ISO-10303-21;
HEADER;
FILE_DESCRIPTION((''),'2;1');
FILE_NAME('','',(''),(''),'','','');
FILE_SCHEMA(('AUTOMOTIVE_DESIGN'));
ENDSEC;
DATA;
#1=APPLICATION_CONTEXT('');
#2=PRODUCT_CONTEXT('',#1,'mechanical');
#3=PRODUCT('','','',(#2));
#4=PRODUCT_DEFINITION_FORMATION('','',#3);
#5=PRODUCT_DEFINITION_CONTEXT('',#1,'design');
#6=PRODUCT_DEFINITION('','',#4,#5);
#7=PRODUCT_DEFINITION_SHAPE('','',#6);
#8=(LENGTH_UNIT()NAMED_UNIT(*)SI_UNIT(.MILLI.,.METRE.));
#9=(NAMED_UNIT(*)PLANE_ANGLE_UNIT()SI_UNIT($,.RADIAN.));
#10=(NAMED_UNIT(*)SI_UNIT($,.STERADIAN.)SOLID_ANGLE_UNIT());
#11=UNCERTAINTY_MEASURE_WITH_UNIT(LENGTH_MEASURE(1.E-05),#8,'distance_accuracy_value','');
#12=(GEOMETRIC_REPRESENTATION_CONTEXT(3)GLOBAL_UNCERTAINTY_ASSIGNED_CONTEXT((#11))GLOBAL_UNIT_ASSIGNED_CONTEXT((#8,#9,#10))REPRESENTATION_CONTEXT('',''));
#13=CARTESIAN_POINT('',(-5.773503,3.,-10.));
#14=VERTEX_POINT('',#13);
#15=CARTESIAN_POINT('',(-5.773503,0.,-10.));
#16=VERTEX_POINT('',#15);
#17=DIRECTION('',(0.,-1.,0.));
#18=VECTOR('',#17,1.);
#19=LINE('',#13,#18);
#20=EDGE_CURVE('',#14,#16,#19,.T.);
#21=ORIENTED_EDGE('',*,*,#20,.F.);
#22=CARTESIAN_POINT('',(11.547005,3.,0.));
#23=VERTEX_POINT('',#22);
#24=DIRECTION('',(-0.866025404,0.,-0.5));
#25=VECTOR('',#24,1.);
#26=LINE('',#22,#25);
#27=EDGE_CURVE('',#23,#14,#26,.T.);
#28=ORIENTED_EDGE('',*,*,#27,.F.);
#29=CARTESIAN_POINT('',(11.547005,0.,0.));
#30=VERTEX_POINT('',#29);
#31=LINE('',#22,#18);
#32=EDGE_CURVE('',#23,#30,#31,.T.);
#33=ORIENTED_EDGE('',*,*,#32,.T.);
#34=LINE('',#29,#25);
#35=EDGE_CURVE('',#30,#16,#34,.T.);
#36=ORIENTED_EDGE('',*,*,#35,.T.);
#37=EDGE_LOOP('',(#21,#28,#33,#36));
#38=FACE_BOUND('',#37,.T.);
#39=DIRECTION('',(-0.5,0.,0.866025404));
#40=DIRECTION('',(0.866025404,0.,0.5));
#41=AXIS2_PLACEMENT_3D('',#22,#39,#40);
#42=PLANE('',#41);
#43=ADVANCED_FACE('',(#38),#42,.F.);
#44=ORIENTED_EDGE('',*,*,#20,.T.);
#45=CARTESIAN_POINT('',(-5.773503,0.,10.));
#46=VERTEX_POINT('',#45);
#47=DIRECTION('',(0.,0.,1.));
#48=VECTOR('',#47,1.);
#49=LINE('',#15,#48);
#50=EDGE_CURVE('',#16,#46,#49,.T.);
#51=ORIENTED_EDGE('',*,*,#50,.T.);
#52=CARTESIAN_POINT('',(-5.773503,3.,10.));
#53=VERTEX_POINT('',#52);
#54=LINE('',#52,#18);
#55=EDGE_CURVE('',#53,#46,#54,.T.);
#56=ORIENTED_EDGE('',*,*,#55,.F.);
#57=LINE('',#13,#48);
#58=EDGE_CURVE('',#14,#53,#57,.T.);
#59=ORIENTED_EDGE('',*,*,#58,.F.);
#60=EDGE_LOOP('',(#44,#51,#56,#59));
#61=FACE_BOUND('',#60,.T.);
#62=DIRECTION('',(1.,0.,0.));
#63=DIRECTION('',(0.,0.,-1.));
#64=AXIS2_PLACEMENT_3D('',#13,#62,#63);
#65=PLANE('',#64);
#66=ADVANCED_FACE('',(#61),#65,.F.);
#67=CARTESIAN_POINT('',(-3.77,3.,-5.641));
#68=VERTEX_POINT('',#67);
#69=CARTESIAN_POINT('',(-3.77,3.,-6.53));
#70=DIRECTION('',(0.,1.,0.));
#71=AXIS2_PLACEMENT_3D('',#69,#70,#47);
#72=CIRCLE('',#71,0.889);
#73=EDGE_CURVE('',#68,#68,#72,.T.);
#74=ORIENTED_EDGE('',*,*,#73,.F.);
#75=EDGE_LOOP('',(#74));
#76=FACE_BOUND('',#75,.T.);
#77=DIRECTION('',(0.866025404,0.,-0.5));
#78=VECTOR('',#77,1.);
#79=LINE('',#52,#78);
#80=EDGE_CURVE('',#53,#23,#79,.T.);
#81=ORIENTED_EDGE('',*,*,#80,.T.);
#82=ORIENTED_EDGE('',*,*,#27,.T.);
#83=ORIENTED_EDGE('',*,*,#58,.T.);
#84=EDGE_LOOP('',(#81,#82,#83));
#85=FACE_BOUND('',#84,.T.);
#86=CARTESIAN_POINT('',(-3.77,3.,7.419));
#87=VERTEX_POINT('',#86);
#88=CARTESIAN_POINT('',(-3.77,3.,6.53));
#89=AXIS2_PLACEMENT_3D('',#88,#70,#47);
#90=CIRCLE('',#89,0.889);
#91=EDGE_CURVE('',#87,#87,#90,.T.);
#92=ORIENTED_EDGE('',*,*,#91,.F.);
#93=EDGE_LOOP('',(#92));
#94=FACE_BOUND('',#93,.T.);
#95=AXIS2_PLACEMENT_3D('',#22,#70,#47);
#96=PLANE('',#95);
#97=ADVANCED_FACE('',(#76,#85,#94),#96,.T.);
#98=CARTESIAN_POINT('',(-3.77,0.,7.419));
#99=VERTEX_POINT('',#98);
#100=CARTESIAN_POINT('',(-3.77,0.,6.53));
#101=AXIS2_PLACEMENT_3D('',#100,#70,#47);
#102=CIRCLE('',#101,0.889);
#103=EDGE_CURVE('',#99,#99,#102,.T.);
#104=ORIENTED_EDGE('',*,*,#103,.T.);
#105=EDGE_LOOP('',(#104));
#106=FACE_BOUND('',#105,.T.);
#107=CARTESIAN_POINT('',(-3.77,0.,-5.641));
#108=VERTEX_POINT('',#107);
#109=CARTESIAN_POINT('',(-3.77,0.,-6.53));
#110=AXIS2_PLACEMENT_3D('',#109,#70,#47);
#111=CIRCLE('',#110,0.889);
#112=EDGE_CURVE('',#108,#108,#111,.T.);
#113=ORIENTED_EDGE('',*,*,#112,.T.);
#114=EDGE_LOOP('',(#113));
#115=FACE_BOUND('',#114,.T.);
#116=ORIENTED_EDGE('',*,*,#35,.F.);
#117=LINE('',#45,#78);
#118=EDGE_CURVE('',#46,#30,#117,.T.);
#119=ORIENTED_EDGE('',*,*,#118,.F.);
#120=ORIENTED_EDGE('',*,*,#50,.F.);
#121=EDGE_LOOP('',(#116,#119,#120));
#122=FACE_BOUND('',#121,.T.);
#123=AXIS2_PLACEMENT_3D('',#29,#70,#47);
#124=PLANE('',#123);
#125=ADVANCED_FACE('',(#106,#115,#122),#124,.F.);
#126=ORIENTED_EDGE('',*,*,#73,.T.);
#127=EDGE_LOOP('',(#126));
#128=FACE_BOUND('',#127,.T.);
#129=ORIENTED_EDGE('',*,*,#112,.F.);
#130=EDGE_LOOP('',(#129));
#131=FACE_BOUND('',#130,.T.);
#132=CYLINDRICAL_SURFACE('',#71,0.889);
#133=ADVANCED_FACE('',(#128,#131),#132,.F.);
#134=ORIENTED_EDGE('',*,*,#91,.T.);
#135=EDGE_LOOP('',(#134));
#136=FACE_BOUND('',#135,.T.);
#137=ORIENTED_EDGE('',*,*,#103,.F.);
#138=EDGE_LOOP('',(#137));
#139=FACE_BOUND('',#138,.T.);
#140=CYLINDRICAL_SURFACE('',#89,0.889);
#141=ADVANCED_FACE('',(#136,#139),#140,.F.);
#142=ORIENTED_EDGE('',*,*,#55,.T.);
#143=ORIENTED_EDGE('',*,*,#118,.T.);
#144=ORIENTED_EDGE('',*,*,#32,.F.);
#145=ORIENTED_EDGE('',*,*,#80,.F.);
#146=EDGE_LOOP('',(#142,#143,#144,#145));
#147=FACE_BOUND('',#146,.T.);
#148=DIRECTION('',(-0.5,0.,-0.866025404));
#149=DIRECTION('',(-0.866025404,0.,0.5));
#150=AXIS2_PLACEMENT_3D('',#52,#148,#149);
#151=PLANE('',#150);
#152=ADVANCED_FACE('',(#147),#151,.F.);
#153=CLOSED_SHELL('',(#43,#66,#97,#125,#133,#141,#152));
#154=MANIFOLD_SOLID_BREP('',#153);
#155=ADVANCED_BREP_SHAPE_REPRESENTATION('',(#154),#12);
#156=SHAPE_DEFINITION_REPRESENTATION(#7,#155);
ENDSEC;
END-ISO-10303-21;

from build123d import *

# Parameters (mm, degrees)
EXTRUDE1_DEPTH  = 3
LPATTERN1_COUNT = 2
LPATTERN1_PITCH = 13.06


with BuildPart() as part:
    # Sketch1 → Extrude1 (new body)
    with BuildSketch(Plane(origin=(0, 0, 0), x_dir=(1, 0, 0), z_dir=(0, 1, 0))):
        Polygon((11.547005384, 0), (-5.773502692, 10), (-5.773502692, -10), align=None)
    extrude(amount=EXTRUDE1_DEPTH)

    # Sketch6 → #2-56 Tapped Hole1 (revolve, cut)
    with BuildSketch(Plane(origin=(-3.77, 3, -6.53), x_dir=(0, 0, 1), z_dir=(1, 0, 0))):
        Polygon((0, 0), (0, 7.17416509), (0.889, 6.64), (0.889, 0), align=None)
    f_2_56_tapped_hole1 = revolve(axis=Axis((-3.77, 9.35, -6.53), (0, -1, 0)), mode=Mode.SUBTRACT)

    # LPattern1: #2-56 Tapped Hole1 ×2
    with Locations(*[(0, 0, i * LPATTERN1_PITCH) for i in range(1, LPATTERN1_COUNT)]):
        add(f_2_56_tapped_hole1, mode=Mode.SUBTRACT)


solid = part.part
